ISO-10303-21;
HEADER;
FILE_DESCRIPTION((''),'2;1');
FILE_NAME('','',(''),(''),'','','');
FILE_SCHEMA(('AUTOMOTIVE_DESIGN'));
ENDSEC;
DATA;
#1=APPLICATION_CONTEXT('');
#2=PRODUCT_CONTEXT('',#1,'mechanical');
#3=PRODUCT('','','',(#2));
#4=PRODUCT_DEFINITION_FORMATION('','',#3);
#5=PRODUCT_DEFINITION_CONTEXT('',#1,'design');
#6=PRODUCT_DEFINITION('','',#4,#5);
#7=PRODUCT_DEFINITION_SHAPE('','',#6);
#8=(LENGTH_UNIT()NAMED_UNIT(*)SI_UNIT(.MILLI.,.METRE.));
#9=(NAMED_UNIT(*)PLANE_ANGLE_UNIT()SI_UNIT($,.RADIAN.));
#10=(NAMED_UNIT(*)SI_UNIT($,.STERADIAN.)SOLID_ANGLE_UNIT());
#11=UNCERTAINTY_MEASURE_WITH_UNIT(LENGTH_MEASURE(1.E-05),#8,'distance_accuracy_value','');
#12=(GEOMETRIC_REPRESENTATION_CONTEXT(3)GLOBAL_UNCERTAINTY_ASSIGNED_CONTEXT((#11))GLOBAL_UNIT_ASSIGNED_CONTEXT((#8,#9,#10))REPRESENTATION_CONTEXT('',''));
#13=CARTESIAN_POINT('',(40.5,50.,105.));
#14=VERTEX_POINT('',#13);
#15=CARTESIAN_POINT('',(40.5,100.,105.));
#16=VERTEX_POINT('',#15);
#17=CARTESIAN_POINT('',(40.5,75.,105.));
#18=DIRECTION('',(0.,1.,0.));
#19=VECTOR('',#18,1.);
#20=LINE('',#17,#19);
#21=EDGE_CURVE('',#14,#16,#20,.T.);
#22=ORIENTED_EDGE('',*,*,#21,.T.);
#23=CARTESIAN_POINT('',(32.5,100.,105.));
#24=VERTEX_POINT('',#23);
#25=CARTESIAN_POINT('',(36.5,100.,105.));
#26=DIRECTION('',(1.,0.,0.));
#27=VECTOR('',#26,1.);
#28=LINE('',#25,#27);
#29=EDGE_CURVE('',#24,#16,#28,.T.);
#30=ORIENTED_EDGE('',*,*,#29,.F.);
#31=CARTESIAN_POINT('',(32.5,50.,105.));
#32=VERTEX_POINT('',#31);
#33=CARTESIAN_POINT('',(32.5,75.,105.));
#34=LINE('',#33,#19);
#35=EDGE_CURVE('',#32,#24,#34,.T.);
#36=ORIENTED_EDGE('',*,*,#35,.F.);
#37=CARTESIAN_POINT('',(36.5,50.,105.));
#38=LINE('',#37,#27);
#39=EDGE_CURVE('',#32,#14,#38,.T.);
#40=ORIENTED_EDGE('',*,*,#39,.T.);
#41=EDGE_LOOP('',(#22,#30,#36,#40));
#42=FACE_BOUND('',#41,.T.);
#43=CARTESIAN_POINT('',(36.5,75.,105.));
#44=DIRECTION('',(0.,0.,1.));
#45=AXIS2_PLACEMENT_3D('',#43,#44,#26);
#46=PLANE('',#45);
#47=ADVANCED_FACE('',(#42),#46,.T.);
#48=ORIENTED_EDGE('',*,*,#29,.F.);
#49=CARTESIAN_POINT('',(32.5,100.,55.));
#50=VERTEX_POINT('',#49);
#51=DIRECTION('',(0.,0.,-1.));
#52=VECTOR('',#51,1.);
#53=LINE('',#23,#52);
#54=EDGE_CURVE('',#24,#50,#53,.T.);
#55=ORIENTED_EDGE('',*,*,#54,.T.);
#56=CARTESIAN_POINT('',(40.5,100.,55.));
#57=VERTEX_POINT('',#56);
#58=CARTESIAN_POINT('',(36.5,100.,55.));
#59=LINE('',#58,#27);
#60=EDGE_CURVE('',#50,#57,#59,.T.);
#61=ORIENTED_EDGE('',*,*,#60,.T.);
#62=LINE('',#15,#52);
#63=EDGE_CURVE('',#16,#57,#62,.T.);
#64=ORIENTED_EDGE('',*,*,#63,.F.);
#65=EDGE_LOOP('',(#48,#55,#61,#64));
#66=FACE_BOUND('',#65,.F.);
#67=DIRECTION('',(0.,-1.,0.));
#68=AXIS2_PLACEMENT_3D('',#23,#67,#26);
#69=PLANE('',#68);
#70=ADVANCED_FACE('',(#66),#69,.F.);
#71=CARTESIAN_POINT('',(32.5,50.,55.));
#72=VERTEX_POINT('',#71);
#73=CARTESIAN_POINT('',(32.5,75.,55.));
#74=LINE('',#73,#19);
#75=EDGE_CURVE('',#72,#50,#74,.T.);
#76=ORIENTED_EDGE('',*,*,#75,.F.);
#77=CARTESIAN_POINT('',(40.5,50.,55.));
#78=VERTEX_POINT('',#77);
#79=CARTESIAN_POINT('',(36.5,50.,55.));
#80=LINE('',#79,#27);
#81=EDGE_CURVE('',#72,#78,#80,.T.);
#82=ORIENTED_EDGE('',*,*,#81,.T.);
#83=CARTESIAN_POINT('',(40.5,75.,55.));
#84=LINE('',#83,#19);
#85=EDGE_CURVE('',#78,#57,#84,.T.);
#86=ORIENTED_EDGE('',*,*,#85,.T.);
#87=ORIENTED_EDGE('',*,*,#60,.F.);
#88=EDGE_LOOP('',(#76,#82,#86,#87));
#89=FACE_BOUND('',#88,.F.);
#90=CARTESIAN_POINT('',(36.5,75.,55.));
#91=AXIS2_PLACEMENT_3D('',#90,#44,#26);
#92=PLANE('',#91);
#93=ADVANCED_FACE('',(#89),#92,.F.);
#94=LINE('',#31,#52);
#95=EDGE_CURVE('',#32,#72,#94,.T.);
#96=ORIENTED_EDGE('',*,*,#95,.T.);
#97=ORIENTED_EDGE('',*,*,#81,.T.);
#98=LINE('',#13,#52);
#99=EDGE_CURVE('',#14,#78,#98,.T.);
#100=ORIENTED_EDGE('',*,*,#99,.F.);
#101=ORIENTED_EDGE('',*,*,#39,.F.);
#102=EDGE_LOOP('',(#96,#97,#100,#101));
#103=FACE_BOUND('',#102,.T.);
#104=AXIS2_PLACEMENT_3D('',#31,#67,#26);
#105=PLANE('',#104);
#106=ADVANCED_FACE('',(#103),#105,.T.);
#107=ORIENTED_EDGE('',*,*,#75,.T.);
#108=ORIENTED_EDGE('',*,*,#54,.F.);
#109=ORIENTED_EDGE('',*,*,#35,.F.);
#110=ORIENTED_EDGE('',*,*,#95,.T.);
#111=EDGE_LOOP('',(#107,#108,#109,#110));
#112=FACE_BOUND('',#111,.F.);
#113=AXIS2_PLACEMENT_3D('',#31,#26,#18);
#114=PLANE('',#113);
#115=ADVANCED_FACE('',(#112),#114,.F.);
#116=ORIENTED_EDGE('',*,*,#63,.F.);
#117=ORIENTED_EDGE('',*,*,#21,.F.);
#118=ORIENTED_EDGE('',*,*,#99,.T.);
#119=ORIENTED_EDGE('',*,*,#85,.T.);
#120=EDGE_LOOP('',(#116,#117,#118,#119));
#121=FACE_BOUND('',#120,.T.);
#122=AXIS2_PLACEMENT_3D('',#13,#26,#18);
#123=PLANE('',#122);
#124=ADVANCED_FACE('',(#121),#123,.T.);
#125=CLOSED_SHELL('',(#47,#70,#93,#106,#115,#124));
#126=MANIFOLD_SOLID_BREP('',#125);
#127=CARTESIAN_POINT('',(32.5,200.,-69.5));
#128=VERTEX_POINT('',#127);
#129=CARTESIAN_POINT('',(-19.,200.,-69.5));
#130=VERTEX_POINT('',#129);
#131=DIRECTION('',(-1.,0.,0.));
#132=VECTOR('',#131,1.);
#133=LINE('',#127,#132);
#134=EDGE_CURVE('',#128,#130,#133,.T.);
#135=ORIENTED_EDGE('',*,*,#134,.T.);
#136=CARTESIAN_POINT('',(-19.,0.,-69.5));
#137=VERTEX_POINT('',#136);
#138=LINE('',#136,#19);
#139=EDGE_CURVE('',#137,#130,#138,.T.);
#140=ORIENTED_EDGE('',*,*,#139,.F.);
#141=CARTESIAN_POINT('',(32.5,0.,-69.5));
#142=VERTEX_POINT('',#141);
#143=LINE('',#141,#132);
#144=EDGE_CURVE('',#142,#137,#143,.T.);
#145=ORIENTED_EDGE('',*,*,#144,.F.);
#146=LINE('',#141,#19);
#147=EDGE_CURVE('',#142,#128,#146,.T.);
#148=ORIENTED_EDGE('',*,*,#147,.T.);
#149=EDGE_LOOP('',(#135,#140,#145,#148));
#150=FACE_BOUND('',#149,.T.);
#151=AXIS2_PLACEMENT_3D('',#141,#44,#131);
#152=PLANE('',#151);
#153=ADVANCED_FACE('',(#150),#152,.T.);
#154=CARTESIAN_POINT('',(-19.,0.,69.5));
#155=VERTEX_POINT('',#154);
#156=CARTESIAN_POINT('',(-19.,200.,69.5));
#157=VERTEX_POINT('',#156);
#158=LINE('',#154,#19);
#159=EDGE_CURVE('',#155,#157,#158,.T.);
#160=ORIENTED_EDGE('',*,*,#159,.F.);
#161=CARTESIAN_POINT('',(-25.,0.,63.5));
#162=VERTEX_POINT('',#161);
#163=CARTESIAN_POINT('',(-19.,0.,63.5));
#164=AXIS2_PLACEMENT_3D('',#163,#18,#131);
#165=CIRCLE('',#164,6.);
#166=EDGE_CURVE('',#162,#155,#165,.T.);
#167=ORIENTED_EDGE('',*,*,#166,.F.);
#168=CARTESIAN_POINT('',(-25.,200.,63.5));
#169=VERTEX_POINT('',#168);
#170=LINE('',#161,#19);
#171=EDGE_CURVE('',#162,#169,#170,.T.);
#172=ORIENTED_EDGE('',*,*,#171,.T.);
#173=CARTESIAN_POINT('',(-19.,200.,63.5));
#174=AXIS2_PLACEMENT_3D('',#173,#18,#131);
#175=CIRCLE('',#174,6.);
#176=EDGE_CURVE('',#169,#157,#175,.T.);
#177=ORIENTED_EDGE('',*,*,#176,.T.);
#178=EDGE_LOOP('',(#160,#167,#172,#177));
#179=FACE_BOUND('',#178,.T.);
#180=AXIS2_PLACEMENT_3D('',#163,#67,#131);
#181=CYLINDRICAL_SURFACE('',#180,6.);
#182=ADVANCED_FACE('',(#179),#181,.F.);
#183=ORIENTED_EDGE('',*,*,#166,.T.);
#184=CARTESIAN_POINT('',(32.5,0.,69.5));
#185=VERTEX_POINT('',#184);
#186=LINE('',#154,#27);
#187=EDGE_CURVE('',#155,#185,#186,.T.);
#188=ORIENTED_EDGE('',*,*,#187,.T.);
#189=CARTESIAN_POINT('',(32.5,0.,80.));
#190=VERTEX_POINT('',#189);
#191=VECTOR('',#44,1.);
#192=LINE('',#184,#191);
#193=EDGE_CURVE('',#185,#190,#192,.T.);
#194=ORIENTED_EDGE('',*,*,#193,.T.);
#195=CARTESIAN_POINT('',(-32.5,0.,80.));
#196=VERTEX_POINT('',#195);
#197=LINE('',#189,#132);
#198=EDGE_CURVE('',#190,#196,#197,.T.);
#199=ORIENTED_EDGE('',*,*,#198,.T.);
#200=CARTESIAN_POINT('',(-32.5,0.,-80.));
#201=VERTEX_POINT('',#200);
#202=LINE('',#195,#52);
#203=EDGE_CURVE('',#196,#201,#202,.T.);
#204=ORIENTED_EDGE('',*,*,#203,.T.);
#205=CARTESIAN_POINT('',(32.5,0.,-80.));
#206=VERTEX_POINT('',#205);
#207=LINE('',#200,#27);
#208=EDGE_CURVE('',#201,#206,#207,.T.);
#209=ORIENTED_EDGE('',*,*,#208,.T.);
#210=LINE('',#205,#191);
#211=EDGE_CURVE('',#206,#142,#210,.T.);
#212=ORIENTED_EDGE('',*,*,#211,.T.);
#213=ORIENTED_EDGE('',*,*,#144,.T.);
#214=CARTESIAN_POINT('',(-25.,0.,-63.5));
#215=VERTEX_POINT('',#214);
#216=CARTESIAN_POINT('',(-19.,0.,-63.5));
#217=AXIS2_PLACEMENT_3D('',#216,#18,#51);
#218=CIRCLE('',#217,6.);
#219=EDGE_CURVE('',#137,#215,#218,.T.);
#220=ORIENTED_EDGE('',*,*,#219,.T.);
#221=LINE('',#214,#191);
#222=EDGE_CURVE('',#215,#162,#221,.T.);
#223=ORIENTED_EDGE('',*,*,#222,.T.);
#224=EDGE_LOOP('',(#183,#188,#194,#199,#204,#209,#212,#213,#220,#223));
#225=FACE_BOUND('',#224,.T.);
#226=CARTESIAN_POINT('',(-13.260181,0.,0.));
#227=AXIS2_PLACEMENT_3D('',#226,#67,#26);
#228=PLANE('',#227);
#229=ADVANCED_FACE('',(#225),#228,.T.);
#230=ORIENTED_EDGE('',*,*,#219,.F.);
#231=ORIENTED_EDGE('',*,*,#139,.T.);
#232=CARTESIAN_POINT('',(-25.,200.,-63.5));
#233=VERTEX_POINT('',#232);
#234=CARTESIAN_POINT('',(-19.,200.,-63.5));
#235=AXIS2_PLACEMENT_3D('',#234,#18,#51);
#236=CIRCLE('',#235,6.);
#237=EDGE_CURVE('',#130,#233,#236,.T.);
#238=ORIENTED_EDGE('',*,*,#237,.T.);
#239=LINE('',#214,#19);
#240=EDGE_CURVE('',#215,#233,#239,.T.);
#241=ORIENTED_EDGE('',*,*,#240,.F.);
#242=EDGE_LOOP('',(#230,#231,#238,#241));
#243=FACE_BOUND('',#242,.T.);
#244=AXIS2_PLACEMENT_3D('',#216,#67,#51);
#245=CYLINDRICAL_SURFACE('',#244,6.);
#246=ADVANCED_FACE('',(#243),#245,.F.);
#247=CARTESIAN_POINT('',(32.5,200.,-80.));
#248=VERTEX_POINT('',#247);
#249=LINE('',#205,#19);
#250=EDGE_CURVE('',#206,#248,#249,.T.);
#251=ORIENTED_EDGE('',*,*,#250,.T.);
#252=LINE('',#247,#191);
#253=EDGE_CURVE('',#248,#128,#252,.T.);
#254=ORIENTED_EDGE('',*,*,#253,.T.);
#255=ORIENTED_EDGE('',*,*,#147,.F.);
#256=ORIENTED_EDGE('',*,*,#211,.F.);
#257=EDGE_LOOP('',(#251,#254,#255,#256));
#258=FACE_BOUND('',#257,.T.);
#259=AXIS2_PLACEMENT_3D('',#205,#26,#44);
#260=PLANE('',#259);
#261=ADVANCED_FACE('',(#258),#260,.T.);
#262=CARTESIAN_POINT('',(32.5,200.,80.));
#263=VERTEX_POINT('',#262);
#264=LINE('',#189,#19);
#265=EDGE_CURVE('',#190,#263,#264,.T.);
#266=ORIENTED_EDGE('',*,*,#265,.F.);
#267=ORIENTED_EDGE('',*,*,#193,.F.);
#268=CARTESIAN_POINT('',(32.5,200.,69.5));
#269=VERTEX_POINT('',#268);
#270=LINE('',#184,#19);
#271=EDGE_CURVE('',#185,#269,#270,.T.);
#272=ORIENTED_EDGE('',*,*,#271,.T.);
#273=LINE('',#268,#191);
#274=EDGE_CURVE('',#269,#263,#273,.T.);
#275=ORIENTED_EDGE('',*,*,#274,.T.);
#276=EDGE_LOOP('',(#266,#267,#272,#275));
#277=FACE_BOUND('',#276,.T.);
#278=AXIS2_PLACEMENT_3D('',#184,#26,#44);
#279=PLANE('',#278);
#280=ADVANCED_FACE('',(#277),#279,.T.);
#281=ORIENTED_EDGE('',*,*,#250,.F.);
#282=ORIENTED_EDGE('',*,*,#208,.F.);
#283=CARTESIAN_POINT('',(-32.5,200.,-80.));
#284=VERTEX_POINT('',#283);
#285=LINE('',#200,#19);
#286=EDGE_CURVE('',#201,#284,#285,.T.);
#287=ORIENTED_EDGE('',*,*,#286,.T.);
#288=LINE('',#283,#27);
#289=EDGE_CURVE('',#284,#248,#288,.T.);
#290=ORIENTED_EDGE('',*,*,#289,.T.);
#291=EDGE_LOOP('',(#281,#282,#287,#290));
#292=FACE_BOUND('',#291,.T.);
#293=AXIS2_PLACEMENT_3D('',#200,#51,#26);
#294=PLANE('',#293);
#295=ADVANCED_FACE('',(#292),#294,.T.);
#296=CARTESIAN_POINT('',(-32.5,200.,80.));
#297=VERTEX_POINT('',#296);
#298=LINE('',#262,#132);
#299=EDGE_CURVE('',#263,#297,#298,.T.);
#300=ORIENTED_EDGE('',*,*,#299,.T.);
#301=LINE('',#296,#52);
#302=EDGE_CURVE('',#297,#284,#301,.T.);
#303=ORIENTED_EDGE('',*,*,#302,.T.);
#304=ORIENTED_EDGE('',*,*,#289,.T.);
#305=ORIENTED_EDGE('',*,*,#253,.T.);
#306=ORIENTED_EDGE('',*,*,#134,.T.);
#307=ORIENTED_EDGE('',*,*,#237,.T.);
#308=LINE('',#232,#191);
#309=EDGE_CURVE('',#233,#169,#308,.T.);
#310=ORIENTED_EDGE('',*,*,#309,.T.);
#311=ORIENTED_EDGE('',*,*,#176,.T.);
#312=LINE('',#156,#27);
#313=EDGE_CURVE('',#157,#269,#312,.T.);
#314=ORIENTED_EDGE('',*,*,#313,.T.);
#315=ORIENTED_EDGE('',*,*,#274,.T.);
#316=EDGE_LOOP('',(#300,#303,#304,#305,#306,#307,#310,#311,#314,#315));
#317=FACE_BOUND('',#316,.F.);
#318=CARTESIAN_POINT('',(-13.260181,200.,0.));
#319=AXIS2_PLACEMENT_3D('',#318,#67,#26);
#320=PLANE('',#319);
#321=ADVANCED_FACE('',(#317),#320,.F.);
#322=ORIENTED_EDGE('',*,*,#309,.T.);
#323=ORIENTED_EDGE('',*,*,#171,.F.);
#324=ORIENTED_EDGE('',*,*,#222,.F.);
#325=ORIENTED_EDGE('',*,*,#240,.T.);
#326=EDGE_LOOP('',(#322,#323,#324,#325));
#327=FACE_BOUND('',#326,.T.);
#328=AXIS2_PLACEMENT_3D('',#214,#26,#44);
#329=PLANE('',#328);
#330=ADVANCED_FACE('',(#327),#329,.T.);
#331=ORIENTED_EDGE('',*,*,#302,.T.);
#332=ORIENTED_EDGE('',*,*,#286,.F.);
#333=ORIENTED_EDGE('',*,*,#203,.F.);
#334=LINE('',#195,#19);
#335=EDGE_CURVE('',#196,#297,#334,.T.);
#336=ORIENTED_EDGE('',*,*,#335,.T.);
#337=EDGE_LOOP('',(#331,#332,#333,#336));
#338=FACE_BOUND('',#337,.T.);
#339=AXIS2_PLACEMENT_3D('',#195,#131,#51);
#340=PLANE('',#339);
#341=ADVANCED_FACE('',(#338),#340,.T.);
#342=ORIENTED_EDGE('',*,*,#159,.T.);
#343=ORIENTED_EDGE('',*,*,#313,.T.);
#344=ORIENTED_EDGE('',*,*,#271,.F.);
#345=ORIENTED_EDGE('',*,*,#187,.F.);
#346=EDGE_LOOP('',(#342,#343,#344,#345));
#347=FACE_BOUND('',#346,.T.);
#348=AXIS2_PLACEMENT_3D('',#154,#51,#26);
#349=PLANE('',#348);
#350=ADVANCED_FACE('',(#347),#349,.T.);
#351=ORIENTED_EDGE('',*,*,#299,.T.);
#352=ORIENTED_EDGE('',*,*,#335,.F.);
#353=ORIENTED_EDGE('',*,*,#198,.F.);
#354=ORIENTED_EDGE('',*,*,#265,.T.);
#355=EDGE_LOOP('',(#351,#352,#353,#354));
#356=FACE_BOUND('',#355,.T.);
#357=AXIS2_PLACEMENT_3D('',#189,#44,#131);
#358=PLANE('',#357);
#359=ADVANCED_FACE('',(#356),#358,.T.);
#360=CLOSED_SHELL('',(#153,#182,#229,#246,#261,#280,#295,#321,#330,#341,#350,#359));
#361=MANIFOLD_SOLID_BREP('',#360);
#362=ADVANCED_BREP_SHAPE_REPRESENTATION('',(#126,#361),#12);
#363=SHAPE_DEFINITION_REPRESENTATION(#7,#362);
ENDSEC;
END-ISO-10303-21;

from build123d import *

# Parameters (mm, degrees)
F1_DEPTH = 200
F3_W     = 8
F3_H     = 50
F4_DEPTH = 50


with BuildPart() as f1:
    # F0 (on Front) → F1 (new body)
    with BuildSketch(Plane.XZ):
        with BuildLine():
            Line((32.5, 69.5), (32.5, 80))
            Line((32.5, 80), (-32.5, 80))
            Line((-32.5, 80), (-32.5, -80))
            Line((-32.5, -80), (32.5, -80))
            Line((32.5, -80), (32.5, -69.5))
            Line((32.5, -69.5), (-19, -69.5))
            ThreePointArc((-19, -69.5), (-23.2426406871, -67.7426406871), (-25, -63.5))
            Line((-25, -63.5), (-25, 63.5))
            ThreePointArc((-25, 63.5), (-23.2426406871, 67.7426406871), (-19, 69.5))
            Line((-19, 69.5), (32.5, 69.5))
        make_face()
    extrude(amount=-F1_DEPTH)


with BuildPart() as f4:
    # F3 (on offset) → F4 (new body)
    with BuildSketch(Plane.XY.offset(105)):
        with Locations((36.5, 75)):
            Rectangle(F3_W, F3_H)
    extrude(amount=-F4_DEPTH)


solid = Compound([f1.part, f4.part])
